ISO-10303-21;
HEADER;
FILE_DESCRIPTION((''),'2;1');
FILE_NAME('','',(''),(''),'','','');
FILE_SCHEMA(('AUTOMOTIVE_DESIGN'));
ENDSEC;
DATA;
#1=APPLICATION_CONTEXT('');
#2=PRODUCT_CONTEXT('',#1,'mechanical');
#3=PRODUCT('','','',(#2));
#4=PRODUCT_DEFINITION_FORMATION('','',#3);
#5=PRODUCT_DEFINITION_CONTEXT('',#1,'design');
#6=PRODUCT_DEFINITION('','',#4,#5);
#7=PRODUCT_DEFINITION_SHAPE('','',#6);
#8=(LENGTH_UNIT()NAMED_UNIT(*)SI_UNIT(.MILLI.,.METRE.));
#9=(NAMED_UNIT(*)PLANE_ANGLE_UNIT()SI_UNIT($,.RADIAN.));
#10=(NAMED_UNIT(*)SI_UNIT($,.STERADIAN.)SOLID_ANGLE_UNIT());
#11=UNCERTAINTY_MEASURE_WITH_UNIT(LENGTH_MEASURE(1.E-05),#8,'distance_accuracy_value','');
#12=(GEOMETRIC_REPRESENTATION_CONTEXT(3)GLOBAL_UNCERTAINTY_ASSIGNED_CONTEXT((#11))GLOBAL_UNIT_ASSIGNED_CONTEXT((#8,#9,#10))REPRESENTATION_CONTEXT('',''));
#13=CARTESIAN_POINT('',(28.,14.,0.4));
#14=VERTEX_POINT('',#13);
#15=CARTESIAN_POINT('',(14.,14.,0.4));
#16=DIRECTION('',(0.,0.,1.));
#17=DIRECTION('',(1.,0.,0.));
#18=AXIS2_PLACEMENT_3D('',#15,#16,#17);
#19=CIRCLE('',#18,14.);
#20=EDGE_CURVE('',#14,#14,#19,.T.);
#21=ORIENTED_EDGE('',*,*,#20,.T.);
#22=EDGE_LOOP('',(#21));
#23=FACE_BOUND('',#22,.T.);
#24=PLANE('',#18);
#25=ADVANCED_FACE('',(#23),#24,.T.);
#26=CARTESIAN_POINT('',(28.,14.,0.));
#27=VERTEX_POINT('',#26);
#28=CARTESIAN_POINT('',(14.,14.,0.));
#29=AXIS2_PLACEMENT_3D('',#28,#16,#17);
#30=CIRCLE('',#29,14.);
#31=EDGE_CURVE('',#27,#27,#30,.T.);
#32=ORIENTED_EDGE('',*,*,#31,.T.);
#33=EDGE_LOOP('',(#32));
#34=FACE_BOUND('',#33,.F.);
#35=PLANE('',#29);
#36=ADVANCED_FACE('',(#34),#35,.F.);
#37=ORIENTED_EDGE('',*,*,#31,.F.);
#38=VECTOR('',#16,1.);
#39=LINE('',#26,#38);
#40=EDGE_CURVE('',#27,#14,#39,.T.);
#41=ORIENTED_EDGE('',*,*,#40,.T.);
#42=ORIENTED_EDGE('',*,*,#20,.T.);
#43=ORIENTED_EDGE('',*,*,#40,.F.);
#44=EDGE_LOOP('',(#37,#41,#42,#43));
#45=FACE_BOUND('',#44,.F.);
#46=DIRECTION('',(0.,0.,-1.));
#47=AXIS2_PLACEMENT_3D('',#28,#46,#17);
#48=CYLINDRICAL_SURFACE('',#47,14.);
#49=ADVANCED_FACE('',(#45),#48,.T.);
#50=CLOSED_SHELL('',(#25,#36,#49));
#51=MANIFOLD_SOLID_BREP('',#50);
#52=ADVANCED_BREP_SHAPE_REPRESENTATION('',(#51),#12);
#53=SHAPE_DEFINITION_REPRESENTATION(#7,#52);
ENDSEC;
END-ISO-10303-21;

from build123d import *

# Parameters (mm, degrees)
SKETCH_R  = 14
PAD_DEPTH = 0.4


with BuildPart() as part:
    # Sketch → Pad (new body)
    with BuildSketch(Plane.XY):
        with Locations((14, 14)):
            Circle(SKETCH_R)
    extrude(amount=PAD_DEPTH)


solid = part.part
